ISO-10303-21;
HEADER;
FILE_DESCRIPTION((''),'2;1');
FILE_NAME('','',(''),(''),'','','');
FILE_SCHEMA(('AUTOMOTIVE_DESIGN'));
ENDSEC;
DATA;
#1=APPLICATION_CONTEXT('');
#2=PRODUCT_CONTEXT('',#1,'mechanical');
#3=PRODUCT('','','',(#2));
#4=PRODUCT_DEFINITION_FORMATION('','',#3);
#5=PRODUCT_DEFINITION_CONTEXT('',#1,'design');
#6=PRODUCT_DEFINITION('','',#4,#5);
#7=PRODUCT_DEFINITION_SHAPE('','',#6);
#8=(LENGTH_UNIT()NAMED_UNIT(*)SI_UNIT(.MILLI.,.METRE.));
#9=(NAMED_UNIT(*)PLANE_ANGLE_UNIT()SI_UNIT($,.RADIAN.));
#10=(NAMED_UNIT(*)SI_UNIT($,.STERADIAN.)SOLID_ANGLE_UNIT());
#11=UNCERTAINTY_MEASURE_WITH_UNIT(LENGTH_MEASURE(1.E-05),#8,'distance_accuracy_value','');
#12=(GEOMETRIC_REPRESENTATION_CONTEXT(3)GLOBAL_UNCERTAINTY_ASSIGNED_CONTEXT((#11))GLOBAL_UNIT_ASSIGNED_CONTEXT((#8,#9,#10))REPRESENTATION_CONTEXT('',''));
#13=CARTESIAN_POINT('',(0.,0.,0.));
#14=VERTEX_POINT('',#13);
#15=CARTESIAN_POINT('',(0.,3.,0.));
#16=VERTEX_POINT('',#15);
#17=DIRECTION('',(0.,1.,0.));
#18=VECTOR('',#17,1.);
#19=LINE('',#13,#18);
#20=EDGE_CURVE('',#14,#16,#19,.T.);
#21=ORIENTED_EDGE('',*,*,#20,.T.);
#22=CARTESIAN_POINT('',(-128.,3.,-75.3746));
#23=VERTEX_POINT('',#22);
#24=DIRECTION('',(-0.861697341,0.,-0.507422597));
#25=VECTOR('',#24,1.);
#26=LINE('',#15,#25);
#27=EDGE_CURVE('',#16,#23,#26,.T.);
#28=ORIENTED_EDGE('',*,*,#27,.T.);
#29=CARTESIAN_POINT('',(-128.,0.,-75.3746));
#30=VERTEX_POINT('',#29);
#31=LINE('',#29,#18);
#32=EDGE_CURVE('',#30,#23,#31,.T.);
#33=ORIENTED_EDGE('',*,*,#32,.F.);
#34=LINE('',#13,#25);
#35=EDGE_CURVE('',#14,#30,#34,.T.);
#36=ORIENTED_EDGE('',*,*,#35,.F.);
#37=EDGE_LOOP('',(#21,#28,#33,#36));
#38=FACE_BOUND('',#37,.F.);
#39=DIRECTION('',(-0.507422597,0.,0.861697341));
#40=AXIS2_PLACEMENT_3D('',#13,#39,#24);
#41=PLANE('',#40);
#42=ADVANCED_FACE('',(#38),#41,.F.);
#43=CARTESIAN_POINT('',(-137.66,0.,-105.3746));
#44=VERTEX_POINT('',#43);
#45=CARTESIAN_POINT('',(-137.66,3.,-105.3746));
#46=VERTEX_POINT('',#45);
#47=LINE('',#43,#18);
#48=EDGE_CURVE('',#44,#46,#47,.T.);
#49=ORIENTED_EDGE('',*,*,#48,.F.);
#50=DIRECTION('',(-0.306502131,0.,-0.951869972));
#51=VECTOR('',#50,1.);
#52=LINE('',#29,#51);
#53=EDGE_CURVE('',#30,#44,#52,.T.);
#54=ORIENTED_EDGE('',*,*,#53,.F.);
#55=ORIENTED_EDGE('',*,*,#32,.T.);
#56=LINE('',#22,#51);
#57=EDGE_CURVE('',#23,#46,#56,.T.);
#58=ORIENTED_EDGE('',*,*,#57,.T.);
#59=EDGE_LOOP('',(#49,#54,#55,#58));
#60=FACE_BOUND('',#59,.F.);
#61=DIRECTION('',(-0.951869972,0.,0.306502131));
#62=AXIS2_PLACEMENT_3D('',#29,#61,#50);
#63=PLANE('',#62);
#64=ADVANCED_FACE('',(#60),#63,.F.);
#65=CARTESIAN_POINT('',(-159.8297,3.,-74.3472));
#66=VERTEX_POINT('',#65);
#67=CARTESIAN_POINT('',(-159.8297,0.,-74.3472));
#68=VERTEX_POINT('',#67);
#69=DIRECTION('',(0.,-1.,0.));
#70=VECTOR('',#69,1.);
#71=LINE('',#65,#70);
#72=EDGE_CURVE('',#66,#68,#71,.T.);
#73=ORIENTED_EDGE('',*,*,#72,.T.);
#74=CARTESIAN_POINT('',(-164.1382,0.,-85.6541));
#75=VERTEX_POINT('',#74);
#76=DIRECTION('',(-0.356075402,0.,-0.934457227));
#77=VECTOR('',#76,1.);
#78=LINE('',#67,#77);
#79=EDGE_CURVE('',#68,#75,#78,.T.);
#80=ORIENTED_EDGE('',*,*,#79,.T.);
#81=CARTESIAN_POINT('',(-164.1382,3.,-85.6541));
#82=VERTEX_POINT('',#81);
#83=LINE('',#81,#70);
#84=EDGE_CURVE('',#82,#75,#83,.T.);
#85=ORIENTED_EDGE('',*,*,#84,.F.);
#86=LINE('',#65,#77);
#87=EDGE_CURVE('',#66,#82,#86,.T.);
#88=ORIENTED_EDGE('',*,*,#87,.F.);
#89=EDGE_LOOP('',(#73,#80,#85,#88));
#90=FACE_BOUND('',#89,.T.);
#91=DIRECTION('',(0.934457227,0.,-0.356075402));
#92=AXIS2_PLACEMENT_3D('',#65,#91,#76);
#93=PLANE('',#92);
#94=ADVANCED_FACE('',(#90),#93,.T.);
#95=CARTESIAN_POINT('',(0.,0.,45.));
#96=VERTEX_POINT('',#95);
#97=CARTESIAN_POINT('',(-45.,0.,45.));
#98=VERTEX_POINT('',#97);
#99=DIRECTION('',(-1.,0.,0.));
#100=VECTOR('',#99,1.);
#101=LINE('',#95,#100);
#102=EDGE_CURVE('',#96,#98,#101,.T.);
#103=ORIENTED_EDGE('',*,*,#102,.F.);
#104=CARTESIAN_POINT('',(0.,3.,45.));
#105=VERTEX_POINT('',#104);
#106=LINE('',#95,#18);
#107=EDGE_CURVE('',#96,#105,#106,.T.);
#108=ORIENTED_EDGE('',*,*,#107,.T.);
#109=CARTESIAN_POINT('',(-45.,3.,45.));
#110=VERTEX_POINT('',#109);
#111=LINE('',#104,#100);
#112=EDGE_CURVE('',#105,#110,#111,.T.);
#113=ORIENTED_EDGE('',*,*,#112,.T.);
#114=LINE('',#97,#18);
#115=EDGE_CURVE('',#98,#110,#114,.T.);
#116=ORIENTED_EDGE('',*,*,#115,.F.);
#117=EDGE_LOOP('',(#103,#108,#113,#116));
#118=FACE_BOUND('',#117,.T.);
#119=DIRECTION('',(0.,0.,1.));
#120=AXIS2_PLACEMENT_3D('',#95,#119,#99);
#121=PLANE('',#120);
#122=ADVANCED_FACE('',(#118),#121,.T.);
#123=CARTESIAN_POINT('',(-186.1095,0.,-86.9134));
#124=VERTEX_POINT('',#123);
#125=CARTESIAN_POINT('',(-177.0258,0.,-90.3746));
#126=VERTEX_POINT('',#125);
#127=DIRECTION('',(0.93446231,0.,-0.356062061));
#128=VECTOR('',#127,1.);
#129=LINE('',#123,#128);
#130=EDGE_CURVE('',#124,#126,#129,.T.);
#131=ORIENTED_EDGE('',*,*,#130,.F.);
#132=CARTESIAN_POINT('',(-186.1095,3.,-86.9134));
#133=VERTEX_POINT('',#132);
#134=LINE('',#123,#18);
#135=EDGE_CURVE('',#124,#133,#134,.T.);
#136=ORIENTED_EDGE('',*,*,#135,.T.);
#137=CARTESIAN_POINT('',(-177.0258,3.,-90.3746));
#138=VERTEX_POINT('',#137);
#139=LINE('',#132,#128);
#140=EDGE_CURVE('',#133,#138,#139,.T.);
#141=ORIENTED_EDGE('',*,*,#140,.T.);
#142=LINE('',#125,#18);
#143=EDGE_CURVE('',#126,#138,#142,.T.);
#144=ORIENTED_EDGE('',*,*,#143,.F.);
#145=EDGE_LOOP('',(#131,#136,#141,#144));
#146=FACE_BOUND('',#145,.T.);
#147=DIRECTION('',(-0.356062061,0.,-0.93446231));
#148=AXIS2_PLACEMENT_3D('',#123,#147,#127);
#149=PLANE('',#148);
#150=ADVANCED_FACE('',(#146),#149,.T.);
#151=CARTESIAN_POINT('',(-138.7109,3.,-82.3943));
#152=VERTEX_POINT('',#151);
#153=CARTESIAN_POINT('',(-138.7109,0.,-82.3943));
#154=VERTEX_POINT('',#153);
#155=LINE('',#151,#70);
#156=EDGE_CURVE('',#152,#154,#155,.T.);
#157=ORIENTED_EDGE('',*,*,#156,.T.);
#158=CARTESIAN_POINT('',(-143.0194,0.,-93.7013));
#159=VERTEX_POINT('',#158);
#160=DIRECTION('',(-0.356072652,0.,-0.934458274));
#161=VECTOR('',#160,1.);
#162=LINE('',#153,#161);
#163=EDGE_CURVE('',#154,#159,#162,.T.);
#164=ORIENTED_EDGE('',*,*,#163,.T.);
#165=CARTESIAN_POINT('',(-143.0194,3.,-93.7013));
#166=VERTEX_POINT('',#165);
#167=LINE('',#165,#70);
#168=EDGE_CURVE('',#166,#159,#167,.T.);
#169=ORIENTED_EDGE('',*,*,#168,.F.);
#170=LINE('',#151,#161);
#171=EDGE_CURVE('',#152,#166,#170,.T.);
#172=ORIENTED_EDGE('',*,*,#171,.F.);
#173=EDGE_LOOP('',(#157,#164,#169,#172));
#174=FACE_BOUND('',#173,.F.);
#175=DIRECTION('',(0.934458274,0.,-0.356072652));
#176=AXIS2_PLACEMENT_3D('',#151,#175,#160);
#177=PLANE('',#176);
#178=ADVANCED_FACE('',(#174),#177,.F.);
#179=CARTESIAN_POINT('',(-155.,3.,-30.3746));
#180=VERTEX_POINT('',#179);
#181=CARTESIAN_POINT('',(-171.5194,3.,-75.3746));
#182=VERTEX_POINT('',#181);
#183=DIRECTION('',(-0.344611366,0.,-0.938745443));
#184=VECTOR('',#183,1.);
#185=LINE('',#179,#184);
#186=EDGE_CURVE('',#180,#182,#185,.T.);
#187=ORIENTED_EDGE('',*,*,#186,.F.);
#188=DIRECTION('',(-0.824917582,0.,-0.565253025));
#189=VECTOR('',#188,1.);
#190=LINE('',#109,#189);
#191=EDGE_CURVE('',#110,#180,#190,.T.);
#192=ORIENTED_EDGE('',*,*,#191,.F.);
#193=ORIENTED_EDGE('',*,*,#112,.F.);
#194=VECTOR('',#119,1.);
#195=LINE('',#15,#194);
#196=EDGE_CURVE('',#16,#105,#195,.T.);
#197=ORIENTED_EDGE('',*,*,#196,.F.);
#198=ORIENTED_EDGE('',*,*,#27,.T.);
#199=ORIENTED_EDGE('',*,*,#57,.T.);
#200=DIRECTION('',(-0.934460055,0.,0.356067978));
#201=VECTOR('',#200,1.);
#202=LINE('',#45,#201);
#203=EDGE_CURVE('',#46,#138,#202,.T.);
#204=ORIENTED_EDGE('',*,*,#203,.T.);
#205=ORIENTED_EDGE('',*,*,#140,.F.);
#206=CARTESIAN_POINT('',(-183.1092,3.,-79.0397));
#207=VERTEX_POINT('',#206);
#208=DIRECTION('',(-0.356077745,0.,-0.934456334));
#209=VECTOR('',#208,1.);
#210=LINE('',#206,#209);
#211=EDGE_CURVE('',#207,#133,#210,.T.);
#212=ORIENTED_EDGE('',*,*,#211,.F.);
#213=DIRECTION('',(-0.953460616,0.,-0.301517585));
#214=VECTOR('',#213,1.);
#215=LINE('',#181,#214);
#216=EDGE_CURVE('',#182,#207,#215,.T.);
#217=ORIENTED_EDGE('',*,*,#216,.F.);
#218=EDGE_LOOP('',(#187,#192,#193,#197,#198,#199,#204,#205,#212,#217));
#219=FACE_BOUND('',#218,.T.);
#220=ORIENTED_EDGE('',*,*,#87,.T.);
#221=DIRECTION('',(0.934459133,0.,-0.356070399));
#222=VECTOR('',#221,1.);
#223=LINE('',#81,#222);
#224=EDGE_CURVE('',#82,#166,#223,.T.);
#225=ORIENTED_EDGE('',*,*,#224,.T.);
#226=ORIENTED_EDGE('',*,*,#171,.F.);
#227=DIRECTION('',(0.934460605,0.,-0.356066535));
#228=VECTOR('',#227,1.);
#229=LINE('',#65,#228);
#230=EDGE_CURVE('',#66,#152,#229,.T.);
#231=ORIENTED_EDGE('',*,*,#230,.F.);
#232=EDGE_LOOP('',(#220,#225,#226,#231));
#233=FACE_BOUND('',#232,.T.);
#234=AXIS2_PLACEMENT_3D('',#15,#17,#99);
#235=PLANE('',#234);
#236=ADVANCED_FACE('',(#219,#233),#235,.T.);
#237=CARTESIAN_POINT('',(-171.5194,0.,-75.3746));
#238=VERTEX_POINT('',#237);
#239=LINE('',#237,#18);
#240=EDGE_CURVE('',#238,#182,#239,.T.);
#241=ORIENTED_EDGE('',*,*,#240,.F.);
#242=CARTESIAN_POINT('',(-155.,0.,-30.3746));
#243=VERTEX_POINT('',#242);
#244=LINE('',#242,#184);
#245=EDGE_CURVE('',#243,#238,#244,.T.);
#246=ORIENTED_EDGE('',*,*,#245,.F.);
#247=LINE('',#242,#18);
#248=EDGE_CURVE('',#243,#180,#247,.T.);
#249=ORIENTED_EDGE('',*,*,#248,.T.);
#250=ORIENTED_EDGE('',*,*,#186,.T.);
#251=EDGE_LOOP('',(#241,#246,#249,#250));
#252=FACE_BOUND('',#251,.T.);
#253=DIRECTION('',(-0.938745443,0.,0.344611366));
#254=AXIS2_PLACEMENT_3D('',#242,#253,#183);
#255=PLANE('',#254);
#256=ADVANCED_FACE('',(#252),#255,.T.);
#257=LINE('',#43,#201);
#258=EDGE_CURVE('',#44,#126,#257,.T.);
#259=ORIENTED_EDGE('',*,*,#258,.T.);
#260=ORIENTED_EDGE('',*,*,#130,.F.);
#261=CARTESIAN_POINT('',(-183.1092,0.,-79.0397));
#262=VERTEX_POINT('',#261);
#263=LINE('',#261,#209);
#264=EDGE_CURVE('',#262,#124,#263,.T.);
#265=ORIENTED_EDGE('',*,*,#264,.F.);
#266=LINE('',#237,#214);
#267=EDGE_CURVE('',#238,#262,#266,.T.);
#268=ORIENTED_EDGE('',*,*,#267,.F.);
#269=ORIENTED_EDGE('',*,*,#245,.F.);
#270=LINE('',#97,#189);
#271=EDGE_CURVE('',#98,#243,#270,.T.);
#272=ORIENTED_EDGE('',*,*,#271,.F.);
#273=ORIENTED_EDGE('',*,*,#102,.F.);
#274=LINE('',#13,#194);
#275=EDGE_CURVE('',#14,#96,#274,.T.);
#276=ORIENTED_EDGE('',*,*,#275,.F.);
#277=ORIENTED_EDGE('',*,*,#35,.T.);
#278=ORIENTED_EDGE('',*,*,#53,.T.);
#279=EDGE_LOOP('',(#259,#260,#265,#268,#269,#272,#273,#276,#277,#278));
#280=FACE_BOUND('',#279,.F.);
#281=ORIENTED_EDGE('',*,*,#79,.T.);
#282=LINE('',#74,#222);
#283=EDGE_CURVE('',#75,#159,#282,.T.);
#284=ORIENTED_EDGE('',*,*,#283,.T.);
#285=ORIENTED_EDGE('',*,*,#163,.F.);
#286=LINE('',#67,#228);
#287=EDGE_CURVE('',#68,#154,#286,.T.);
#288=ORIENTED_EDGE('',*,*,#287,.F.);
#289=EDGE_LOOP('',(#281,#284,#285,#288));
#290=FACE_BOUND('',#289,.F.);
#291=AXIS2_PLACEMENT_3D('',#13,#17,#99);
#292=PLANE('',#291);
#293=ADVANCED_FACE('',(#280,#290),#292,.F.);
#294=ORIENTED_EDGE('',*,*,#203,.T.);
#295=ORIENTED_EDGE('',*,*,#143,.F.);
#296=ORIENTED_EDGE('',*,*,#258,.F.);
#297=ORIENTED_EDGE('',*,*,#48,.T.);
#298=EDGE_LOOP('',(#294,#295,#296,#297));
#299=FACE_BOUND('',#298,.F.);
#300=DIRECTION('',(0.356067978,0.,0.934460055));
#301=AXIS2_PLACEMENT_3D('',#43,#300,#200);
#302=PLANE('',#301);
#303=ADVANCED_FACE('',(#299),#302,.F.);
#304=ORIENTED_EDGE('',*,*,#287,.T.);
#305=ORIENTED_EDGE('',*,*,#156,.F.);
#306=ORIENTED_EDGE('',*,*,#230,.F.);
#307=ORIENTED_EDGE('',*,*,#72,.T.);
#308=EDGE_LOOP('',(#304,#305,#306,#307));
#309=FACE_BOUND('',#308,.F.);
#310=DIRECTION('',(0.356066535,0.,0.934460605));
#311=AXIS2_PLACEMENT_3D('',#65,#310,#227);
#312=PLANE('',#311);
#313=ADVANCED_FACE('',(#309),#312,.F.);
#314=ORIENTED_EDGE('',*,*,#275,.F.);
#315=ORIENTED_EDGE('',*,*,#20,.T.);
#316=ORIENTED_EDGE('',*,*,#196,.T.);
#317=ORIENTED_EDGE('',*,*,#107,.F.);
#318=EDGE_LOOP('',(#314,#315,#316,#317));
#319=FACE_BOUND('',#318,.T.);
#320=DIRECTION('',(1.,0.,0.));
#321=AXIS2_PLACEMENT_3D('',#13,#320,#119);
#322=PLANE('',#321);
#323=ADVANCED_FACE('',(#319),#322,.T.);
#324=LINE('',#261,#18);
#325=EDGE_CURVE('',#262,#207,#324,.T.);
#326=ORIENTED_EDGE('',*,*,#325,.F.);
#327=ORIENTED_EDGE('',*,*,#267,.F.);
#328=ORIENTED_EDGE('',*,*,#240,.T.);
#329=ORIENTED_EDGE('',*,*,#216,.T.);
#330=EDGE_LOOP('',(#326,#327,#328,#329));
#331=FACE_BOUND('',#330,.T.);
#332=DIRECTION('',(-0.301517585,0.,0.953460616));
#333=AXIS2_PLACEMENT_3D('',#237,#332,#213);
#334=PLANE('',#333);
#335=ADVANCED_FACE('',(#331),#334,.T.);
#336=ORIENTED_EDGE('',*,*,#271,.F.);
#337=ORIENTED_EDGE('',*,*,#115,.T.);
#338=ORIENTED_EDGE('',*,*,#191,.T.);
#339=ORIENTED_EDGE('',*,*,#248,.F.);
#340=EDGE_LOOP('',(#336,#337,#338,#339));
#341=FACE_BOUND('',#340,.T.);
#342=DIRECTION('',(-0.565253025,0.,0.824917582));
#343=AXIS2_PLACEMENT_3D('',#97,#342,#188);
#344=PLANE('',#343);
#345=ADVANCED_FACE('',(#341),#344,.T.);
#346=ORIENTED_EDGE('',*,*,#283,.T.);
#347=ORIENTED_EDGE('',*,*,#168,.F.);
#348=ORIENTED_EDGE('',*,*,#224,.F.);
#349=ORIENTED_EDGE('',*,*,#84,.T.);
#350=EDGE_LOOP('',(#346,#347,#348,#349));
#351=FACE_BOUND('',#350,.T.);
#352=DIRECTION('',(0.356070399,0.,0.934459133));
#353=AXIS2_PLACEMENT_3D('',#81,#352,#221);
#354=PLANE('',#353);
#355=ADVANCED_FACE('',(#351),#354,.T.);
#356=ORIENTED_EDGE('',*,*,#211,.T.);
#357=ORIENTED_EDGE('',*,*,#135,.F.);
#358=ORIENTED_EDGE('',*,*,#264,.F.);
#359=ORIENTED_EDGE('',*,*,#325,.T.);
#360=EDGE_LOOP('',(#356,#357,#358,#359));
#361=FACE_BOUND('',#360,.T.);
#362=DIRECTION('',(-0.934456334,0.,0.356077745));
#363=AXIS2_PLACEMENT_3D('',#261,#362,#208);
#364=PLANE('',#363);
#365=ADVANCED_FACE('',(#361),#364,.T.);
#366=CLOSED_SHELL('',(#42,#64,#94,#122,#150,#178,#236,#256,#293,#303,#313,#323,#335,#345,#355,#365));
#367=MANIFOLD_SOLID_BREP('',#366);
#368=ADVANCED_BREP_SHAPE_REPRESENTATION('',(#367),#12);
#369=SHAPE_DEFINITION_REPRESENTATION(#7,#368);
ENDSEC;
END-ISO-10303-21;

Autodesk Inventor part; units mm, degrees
ref_plane "YZ Plane" through (0, 0, 0) normal (1, 0, 0) x (0, 1, 0)
ref_plane "XZ Plane" through (0, 0, 0) normal (0, 1, 0) x (-1, 0, 0)
ref_plane "XY Plane" through (0, 0, 0) normal (0, 0, 1) x (1, 0, 0)
sketch "Esquisse1" plane through (0, 0, 0) normal (0, 1, 0) x (-1, 0, 0)
  line L0 (0, 0) -> (0, 45)
  line L1 (0, 45) -> (45, 45)
  line L2 (0, 0) -> (128, -75.3746)
  line L3 (45, 45) -> (155, -30.3746)
  line L4 (155, -30.3746) -> (171.5194, -75.3746)
  line L5 (128, -75.3746) -> (137.66, -105.3746)
  line L6 (137.66, -105.3746) -> (177.0258, -90.3746)
  line L7 (171.5194, -75.3746) -> (183.1092, -79.0397)
  line L8 (183.1092, -79.0397) -> (186.1095, -86.9134)
  line L9 (186.1095, -86.9134) -> (177.0258, -90.3746)
  dimension "d0" = 45
  dimension "d1" = 45
  dimension "d13" = 128
  dimension "d14" = 110
  dimension "d15" = 30
  dimension "d16" = 45
extrude "Extrusion1" add sketch "Esquisse1" along normal blind 3
sketch "Esquisse2" plane through (0, 3, 0) normal (0, 1, 0) x (1, 0, 0)
  line L0 (-164.1382, 85.6541) -> (-143.0194, 93.7013)
  line L1 (-159.8297, 74.3472) -> (-138.7109, 82.3943)
  line L2 (-137.66, 105.3746) -> (-186.1095, 86.9134) projected
  line L3 (-138.7109, 82.3943) -> (-143.0194, 93.7013)
  line L4 (-159.8297, 74.3472) -> (-164.1382, 85.6541)
  point P0 (0, 0)
  dimension "d19" = 9
  dimension "d20" = 9
  dimension "d22" = 12.1
  dimension "d23" = 12.1
  dimension "d24" = 22.6
extrude "Extrusion2" cut sketch "Esquisse2" against normal blind 3
properties part number "Bras 1 servo"
